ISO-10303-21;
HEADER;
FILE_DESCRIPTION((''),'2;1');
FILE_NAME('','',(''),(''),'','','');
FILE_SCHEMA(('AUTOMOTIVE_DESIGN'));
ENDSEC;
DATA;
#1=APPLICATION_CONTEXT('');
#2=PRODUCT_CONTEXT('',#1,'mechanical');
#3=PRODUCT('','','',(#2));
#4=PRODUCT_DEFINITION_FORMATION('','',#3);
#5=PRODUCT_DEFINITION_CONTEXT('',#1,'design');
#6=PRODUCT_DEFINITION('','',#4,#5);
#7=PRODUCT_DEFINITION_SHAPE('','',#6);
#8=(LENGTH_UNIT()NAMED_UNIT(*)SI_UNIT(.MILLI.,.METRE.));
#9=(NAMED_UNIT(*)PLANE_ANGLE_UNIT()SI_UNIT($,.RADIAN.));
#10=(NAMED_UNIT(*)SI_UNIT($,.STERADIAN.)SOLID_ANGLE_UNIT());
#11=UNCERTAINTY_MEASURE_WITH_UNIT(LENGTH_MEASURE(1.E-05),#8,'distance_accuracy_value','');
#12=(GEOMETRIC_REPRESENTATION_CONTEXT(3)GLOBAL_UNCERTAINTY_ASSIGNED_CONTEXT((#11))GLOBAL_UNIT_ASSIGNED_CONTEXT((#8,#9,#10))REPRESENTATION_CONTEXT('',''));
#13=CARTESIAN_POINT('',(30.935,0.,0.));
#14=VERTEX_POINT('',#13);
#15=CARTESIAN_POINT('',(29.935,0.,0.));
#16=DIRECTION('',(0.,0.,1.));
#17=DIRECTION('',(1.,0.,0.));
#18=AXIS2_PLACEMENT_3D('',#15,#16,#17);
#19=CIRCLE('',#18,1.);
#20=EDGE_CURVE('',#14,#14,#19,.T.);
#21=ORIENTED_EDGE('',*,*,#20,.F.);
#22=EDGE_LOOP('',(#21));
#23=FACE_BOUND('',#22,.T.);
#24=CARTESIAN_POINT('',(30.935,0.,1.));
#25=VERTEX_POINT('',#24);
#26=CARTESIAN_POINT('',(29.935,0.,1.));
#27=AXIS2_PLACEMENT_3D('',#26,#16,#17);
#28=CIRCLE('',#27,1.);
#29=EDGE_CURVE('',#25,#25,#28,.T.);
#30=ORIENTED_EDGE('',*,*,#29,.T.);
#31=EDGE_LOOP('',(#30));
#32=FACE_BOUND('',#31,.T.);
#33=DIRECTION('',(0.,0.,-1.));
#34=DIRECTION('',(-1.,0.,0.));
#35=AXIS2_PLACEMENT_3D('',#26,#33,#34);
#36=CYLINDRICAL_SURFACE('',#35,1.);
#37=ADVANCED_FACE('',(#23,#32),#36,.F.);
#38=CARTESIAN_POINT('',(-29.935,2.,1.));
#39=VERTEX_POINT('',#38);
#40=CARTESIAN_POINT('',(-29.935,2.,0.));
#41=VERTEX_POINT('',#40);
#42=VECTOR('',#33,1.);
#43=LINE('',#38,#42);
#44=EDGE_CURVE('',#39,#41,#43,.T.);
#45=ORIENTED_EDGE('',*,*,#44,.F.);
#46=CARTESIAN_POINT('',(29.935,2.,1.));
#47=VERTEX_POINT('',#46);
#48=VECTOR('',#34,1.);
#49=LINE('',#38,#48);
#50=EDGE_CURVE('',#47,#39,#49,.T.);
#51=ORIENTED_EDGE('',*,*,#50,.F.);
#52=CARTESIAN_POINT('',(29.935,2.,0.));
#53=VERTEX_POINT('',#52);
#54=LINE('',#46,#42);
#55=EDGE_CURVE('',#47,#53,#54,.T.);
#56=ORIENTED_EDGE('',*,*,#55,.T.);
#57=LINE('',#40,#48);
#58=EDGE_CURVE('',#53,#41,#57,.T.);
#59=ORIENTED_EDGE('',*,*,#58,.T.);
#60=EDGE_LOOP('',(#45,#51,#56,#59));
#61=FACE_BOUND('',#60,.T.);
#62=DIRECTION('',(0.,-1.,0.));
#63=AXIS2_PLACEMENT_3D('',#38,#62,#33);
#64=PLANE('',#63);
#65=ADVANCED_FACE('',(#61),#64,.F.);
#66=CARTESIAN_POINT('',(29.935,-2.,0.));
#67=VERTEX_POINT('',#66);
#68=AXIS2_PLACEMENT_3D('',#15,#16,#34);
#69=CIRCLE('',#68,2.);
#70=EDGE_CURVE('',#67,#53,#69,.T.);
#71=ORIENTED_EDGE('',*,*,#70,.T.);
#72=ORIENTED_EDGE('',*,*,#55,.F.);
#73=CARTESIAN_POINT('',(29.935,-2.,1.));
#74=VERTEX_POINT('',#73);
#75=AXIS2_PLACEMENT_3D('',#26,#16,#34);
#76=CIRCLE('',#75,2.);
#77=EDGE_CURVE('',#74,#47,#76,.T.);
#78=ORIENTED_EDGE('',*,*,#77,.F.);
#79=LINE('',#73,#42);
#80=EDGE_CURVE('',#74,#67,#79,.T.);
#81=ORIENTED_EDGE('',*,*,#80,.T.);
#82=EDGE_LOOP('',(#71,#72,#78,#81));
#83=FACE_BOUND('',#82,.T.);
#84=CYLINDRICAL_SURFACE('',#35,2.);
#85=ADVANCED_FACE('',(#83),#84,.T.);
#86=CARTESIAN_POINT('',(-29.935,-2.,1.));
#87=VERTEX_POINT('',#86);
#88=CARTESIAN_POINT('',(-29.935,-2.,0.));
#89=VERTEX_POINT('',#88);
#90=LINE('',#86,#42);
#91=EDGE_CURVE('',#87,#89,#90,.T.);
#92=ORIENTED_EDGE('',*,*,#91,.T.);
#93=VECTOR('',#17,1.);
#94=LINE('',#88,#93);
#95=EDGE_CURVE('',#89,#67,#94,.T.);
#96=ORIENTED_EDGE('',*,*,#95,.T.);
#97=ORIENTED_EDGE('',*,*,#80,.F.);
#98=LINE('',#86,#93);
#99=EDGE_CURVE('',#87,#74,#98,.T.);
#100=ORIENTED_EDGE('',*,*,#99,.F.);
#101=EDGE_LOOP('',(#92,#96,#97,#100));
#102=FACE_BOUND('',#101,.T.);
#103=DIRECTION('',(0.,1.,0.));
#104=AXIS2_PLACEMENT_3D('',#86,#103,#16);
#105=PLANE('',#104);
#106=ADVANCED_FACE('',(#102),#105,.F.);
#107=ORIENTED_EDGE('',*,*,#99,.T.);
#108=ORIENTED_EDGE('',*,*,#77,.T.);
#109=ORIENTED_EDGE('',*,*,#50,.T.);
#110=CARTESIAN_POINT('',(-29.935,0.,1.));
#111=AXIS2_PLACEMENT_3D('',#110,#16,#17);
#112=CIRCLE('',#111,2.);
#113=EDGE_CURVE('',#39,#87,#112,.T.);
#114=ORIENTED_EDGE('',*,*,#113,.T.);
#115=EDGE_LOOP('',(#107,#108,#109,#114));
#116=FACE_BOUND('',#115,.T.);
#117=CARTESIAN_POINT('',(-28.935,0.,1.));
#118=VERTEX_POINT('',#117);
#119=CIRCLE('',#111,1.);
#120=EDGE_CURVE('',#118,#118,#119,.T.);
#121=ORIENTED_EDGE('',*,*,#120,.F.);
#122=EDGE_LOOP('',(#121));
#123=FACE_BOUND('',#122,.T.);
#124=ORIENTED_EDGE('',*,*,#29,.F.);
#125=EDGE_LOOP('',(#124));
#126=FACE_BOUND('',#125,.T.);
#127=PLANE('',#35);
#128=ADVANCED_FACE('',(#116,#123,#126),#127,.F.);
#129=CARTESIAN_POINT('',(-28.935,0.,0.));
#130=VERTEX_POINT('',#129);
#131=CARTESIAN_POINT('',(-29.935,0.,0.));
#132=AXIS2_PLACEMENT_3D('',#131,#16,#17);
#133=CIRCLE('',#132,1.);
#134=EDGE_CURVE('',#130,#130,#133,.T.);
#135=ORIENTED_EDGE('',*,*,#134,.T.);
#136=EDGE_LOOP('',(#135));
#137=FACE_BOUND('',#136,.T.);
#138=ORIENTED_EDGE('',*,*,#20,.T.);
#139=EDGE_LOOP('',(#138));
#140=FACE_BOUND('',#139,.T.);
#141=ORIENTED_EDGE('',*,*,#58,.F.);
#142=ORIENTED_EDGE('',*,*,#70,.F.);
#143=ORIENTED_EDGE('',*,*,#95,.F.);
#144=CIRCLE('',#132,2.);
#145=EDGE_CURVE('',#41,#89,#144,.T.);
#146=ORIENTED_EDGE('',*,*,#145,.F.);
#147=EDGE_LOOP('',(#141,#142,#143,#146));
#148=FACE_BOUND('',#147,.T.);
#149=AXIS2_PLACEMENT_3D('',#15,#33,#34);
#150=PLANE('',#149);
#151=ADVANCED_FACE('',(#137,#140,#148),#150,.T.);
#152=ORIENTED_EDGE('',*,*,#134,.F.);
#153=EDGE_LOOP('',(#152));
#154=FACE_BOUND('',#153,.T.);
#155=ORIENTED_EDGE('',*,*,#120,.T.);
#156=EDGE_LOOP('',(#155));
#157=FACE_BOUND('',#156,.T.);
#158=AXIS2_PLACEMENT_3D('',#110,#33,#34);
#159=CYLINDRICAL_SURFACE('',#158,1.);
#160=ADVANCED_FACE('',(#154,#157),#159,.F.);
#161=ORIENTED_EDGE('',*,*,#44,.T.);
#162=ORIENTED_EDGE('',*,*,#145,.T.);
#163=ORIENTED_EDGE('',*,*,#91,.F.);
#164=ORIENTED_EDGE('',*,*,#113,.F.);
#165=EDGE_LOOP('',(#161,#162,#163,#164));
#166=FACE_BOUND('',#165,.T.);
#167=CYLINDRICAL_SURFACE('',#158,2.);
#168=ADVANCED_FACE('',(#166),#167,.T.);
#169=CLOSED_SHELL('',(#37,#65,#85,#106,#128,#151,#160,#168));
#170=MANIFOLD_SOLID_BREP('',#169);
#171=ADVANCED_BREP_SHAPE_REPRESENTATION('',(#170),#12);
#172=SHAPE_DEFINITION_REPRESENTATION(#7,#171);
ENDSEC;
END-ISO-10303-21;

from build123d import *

# Parameters (mm, degrees)
ESBO_O1_R                = 1
RESSALTO_EXTRUS_O1_DEPTH = 1


with BuildPart() as part:
    # Esboço1 → Ressalto-extrusão1 (new body)
    with BuildSketch(Plane.XY):
        with BuildLine():
            Line((-29.935, 2), (29.935, 2))
            ThreePointArc((29.935, 2), (31.935, 0), (29.935, -2))
            Line((29.935, -2), (-29.935, -2))
            ThreePointArc((-29.935, -2), (-31.935, 0), (-29.935, 2))
        make_face()
        with Locations((-29.935, 0)):
            Circle(ESBO_O1_R, mode=Mode.SUBTRACT)
        with Locations((29.935, 0)):
            Circle(ESBO_O1_R, mode=Mode.SUBTRACT)
    extrude(amount=RESSALTO_EXTRUS_O1_DEPTH)


solid = part.part
